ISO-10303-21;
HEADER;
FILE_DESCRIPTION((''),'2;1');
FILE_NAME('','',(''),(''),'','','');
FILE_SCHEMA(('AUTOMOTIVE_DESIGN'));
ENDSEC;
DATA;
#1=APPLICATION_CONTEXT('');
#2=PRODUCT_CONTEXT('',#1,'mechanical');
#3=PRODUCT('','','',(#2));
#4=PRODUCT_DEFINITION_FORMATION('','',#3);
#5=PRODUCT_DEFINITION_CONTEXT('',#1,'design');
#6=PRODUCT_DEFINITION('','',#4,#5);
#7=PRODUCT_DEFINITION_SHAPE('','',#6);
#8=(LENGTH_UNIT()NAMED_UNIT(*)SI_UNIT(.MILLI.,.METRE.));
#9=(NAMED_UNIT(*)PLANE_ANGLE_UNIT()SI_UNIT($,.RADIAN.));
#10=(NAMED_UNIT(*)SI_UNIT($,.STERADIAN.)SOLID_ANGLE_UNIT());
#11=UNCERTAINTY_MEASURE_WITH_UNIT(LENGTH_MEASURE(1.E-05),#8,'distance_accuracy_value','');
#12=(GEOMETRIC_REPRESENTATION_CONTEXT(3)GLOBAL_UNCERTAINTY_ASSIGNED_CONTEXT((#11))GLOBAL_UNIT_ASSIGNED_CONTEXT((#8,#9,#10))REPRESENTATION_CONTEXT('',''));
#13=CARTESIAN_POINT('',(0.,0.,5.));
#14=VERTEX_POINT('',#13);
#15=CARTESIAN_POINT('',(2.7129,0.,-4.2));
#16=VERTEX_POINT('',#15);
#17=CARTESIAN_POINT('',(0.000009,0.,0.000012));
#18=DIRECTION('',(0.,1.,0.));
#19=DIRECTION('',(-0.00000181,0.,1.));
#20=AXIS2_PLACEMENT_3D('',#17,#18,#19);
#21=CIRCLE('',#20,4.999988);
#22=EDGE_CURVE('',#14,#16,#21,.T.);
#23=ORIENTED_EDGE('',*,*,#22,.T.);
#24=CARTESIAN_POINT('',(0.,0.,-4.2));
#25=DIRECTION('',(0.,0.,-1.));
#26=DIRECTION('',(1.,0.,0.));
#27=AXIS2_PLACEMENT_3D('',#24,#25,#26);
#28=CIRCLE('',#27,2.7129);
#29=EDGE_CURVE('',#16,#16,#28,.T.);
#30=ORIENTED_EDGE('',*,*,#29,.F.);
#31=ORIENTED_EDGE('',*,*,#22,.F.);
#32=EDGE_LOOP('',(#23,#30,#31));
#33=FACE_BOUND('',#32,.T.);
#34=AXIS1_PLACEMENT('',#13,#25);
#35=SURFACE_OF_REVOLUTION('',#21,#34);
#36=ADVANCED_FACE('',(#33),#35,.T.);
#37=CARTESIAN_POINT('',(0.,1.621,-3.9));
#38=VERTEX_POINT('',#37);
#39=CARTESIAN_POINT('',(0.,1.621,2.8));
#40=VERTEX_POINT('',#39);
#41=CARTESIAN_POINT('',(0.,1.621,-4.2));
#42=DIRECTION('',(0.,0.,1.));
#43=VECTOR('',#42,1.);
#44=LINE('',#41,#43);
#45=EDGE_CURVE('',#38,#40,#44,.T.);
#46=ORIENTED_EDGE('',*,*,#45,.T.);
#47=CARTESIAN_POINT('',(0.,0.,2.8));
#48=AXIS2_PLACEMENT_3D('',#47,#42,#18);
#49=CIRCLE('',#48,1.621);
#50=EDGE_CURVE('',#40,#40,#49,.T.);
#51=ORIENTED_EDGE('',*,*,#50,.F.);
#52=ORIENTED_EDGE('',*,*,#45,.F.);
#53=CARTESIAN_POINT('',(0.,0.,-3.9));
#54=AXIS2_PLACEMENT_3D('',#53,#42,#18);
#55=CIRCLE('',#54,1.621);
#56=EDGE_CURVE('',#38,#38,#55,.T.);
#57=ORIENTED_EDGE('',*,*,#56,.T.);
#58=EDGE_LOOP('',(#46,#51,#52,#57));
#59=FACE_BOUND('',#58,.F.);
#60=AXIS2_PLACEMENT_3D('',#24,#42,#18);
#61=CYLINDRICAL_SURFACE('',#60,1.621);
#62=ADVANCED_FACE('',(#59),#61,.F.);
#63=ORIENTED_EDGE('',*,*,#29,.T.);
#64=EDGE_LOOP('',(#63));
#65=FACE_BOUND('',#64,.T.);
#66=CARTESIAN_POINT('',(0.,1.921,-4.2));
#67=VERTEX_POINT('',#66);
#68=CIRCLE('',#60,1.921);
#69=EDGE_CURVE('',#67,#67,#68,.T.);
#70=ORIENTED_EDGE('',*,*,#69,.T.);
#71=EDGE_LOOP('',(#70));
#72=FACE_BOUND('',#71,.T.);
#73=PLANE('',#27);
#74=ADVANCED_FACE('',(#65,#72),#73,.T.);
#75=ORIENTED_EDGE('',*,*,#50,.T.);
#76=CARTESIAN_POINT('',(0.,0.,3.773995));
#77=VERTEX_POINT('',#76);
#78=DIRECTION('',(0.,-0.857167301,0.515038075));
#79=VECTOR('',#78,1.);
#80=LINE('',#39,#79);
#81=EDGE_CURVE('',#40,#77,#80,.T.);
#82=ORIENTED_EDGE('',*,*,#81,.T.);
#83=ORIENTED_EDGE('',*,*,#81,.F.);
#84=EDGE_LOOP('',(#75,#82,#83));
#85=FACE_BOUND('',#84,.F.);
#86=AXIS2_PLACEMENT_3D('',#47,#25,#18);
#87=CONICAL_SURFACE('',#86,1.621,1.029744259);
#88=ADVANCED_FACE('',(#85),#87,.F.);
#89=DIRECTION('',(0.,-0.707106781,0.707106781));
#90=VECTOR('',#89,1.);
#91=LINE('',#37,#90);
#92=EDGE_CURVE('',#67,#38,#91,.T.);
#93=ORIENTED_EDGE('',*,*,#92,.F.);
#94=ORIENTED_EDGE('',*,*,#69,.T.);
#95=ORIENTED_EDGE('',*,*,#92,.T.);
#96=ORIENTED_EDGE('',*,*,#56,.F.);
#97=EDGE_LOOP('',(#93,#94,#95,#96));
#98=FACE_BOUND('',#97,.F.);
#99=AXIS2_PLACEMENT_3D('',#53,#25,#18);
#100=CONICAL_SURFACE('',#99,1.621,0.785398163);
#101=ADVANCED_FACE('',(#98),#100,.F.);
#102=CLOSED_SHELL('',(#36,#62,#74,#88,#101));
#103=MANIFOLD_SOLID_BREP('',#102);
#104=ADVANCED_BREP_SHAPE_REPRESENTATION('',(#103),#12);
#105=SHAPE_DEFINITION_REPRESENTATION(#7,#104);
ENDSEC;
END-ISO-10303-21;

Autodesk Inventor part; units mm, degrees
ref_plane "YZ Plane" through (0, 0, 0) normal (1, 0, 0) x (0, 1, 0)
ref_plane "XZ Plane" through (0, 0, 0) normal (0, 1, 0) x (-1, 0, 0)
ref_plane "XY Plane" through (0, 0, 0) normal (0, 0, 1) x (1, 0, 0)
sketch "Sketch5" plane through (0, 0, 0) normal (0, 1, 0) x (-1, 0, 0)
  arc A0 (0, 5) -> (-2.7129, -4.2) centre (0, 0) ccw
  line L0 (-2.7129, -4.2) -> (0, -4.2)
  line L1 (0, 5) -> (0, -4.2)
  dimension "d15" = 10
  dimension "d16" = 9.2
revolve "Revolution1" add sketch "Sketch5" angle 360 about axis through (0, 0, 5) along (0, 0, -1)
sketch "Sketch6" plane through (0, 0, -4.2) normal (0, 0, -1) x (-1, 0, 0)
  circle A0 centre (0, 0) radius 2.7129 projected
hole "Hole1" at (0, 0, -4.2) direction (0, 0, 1) diameter 3.242 depth 7 tip angle 118 thread size "M4x0.7" class "6H" standard "ISO Metric profile"
chamfer "Chamfer1" distance 0.3 angle 45 1 edges at (0, -1.621, -4.2)
properties part number "m3 6" material "Steel"
